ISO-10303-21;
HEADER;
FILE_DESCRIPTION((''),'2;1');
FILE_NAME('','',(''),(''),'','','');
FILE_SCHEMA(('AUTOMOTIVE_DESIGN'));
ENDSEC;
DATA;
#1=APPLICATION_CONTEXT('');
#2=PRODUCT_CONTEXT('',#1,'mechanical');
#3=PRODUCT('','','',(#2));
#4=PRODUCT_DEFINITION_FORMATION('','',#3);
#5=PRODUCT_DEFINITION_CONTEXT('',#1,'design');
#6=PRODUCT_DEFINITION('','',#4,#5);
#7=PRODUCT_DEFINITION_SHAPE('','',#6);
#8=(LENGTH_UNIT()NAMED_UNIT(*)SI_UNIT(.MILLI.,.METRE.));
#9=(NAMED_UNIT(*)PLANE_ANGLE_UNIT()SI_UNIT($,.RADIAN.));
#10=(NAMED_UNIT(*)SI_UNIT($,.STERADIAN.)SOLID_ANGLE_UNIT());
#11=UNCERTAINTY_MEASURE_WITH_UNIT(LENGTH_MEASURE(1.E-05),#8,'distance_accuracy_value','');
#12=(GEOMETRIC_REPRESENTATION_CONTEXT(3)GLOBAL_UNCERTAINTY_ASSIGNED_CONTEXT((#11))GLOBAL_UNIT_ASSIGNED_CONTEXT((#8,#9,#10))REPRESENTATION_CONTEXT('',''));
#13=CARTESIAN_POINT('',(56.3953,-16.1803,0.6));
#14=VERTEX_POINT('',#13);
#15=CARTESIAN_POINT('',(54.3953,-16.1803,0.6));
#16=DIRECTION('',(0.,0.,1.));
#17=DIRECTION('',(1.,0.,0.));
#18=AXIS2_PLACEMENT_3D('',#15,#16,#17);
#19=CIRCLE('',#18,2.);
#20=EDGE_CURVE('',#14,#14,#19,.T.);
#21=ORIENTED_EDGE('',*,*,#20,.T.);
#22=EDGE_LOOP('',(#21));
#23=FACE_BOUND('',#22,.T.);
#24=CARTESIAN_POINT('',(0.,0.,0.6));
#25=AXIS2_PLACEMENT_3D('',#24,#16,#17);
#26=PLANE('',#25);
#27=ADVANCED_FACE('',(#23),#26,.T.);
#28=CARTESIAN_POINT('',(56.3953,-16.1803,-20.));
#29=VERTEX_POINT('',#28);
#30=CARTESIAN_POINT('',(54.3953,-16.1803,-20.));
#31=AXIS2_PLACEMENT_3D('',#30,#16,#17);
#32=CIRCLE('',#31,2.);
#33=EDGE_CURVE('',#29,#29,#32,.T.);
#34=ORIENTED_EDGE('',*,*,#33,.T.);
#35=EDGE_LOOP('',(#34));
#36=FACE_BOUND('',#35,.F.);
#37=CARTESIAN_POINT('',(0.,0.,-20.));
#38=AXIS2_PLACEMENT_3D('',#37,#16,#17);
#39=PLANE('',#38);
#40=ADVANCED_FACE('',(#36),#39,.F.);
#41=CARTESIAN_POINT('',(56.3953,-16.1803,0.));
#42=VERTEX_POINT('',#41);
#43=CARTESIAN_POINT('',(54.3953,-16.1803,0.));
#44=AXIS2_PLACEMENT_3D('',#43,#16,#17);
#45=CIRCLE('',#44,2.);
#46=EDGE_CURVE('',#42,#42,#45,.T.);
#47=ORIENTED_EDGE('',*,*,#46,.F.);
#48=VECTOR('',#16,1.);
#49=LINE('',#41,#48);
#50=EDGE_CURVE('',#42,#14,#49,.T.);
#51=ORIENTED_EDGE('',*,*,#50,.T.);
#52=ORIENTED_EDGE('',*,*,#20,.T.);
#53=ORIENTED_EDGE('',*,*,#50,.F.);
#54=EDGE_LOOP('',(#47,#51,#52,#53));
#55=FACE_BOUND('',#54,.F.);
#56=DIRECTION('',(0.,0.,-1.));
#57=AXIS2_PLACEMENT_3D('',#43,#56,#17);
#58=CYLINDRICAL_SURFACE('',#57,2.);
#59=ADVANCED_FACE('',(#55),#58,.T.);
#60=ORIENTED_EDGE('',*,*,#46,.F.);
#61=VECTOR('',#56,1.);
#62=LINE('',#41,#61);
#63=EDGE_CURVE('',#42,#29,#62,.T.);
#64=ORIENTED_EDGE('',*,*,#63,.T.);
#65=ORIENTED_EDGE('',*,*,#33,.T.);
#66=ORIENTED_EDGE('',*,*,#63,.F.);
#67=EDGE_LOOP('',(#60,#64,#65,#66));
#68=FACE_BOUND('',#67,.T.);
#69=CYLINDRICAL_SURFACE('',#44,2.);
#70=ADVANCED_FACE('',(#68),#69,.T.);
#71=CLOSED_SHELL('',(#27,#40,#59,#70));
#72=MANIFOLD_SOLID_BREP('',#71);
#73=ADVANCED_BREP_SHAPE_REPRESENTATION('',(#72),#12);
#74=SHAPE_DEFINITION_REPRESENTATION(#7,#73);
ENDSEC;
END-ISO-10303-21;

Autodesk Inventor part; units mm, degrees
ref_plane "Work Plane1" through (0, 0, 0) normal (0, 0, 1) x (1, 0, 0)
sketch "Sketch1" plane through (0, 0, 0) normal (0, 0, 1) x (1, 0, 0)
  circle A0 centre (54.3953, -16.1803) radius 4.0005 projected
  circle A1 centre (54.3953, -16.1803) radius 2
  point P0 (0, 0)
ref_plane "Work Plane2" through (0, -29.5, -27) normal (0, 0, -1) x (0, 1, 0)
ref_plane "Work Plane3" through (38.9126, -31.7019, -38) normal (0, 0, -1) x (0.3643, 0.9313, 0)
extrude "Extrusion1" add sketch "Sketch1" along normal blind 0.6 and the other way blind 20 contours A1
properties part number "smolGear_shaft" material "Aluminum 6061"
